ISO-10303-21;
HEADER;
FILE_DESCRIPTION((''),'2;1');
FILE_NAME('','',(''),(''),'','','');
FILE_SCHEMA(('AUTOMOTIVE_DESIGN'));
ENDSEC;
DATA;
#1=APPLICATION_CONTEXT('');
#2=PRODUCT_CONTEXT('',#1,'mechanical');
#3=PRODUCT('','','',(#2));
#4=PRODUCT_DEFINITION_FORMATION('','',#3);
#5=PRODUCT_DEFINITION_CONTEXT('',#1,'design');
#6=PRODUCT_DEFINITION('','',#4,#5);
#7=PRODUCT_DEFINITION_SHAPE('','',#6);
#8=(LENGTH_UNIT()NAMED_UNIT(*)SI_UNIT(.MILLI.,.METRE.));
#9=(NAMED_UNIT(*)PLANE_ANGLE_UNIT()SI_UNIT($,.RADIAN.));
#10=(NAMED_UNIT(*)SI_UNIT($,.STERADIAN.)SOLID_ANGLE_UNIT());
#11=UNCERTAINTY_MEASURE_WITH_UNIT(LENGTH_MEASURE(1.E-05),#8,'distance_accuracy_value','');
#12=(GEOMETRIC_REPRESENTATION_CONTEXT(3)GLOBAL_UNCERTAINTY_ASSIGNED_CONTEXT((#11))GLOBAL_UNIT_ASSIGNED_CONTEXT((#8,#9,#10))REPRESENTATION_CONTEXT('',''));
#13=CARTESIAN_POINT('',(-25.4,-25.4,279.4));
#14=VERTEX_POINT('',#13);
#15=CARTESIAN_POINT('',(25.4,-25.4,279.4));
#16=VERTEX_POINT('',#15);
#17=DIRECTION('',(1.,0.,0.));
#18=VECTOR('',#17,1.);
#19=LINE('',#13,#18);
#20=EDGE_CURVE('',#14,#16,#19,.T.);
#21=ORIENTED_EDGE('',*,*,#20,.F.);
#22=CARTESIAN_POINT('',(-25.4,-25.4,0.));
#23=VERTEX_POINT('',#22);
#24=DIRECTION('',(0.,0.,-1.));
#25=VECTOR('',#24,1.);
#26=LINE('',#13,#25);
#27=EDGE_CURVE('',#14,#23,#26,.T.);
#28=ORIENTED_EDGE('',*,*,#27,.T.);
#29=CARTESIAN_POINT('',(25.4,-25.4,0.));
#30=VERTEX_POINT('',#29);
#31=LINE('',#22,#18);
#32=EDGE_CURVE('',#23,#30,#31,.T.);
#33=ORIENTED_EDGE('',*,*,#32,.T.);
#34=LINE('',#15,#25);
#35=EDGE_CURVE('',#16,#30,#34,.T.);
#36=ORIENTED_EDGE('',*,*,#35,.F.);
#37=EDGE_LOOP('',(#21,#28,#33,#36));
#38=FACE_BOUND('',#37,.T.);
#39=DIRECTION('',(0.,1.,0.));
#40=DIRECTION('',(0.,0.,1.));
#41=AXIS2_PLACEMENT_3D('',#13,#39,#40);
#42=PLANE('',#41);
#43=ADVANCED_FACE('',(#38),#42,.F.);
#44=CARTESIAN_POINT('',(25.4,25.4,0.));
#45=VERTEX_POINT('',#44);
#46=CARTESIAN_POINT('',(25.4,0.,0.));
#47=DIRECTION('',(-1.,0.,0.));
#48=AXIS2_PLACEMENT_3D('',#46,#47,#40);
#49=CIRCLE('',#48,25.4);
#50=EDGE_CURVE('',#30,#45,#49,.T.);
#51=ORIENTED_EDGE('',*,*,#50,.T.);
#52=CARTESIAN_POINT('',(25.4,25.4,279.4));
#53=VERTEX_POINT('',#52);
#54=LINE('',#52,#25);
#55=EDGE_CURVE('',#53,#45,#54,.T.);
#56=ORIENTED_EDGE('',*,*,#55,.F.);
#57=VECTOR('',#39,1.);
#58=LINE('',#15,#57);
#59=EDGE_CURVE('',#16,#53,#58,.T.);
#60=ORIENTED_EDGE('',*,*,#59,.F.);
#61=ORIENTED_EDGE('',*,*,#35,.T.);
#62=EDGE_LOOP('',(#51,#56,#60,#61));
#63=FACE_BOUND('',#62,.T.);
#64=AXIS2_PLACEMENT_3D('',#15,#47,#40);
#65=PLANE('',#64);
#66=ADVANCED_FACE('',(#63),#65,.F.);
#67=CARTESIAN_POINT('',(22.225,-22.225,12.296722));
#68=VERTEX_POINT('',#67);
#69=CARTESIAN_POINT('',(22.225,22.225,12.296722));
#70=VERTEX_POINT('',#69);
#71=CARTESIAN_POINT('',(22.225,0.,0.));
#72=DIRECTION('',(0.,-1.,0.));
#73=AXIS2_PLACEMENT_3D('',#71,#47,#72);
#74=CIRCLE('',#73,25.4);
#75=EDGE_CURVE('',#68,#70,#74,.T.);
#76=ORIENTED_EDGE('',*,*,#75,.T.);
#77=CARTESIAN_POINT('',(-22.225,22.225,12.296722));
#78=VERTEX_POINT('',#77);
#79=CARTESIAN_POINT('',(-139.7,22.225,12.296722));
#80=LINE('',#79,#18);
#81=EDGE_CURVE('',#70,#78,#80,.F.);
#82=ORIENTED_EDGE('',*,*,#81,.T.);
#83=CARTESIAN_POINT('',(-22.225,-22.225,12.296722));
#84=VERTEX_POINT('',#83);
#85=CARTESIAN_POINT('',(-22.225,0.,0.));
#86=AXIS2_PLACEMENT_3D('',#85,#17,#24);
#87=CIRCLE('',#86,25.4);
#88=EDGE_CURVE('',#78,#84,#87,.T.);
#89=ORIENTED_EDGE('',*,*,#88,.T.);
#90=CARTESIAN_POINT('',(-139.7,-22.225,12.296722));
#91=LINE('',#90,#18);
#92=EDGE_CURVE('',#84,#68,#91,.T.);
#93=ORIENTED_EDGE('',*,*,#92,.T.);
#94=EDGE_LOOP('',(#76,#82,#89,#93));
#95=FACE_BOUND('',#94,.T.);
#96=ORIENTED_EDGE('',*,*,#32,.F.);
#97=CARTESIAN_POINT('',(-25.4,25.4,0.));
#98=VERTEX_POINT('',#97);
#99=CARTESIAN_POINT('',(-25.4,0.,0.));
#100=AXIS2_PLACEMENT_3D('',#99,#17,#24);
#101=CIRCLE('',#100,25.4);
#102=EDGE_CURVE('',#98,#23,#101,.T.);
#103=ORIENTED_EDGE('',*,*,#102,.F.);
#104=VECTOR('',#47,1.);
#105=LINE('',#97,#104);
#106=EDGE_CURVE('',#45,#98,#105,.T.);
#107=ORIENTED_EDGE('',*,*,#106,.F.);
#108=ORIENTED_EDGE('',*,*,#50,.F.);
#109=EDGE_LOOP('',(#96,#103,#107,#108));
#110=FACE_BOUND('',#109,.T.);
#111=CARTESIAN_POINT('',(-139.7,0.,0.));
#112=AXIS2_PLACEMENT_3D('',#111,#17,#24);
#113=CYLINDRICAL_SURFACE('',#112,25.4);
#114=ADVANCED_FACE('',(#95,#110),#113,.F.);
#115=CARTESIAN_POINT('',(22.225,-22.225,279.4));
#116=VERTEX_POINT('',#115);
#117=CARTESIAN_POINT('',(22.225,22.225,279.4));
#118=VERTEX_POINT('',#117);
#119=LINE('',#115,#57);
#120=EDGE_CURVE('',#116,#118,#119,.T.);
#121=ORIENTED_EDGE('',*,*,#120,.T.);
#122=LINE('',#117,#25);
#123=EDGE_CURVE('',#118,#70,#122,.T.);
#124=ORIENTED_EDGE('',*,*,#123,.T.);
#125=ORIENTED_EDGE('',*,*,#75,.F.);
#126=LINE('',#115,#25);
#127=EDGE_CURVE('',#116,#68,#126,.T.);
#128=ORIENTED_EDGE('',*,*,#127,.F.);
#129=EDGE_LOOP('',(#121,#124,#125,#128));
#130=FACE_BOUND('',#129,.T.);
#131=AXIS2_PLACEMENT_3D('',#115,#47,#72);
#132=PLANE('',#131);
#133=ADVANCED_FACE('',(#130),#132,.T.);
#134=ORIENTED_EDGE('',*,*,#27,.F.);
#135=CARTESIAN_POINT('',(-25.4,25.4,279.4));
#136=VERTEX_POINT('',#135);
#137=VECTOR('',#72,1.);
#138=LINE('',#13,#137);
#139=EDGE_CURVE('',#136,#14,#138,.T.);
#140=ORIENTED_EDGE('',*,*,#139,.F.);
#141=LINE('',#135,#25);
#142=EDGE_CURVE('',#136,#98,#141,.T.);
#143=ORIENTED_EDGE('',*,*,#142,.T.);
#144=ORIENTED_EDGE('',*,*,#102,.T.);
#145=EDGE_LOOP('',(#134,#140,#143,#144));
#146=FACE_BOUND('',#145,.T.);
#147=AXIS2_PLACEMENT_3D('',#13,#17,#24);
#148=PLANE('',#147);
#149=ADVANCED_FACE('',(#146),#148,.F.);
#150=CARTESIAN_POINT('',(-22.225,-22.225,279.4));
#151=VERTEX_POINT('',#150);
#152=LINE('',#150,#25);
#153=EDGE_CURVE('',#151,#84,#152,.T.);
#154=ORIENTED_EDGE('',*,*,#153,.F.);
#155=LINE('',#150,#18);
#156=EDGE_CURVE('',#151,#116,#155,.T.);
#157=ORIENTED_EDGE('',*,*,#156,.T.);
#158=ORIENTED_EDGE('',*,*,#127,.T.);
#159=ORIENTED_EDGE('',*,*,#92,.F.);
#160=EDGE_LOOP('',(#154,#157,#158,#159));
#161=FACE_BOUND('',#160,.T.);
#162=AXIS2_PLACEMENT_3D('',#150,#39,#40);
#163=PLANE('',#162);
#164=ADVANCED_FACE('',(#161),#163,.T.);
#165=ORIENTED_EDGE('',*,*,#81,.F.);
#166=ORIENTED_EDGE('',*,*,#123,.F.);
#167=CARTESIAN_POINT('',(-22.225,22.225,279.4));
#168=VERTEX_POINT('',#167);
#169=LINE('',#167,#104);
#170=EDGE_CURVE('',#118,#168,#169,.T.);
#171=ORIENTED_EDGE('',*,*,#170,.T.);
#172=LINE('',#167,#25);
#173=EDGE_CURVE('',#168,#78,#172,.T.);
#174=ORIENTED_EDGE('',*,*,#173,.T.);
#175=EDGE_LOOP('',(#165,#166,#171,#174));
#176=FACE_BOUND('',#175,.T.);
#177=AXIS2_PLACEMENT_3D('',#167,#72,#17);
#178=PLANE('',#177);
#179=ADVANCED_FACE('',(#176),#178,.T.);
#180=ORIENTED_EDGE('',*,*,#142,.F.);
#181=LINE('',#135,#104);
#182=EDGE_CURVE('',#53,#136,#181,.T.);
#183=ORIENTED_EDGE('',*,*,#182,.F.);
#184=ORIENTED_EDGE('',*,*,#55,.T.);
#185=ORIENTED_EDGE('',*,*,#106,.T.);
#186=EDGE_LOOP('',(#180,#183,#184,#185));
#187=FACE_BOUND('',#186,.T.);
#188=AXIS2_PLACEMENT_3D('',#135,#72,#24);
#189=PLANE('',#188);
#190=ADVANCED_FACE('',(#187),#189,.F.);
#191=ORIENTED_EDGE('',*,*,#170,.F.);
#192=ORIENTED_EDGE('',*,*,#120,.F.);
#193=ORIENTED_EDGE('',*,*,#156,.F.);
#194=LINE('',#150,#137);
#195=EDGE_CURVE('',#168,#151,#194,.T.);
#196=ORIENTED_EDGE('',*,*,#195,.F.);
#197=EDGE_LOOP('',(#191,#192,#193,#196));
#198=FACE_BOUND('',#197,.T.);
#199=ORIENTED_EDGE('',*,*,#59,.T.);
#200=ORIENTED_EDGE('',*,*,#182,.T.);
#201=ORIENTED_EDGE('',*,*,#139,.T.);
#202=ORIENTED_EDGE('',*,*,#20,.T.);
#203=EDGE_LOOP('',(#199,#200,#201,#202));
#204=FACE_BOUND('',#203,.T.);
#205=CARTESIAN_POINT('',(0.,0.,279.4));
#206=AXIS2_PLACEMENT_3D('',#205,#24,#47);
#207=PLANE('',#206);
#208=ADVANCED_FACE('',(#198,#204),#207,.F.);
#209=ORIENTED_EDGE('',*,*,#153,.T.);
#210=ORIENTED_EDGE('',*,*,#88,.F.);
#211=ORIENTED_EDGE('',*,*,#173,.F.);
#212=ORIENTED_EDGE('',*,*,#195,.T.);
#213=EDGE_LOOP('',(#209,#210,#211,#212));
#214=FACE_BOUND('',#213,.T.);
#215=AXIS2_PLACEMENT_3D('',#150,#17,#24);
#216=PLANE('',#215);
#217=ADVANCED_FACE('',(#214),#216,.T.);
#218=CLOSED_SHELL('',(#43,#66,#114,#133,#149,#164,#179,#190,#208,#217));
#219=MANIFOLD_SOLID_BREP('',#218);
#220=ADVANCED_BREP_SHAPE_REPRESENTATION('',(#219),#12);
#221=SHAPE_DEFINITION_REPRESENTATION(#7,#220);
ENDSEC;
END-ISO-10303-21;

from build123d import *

# Parameters (mm, degrees)
SKETCH1_W           = 50.8
SKETCH1_H           = 50.8
SKETCH1_W_2         = 44.45
SKETCH1_H_2         = 44.45
BOSS_EXTRUDE1_DEPTH = 279.4
SKETCH2_R           = 25.4
CUT_EXTRUDE1_DEPTH  = 139.7


with BuildPart() as part:
    # Sketch1 → Boss-Extrude1 (new body)
    with BuildSketch(Plane.XY):
        Rectangle(SKETCH1_W, SKETCH1_H)
        Rectangle(SKETCH1_W_2, SKETCH1_H_2, mode=Mode.SUBTRACT)
    extrude(amount=BOSS_EXTRUDE1_DEPTH)

    # Sketch2 → Cut-Extrude1 (cut, symmetric)
    with BuildSketch(Plane(origin=(0, 0, 0), x_dir=(0, 0, -1), z_dir=(1, 0, 0))):
        Circle(SKETCH2_R)
    extrude(amount=CUT_EXTRUDE1_DEPTH, both=True, mode=Mode.SUBTRACT)


solid = part.part
